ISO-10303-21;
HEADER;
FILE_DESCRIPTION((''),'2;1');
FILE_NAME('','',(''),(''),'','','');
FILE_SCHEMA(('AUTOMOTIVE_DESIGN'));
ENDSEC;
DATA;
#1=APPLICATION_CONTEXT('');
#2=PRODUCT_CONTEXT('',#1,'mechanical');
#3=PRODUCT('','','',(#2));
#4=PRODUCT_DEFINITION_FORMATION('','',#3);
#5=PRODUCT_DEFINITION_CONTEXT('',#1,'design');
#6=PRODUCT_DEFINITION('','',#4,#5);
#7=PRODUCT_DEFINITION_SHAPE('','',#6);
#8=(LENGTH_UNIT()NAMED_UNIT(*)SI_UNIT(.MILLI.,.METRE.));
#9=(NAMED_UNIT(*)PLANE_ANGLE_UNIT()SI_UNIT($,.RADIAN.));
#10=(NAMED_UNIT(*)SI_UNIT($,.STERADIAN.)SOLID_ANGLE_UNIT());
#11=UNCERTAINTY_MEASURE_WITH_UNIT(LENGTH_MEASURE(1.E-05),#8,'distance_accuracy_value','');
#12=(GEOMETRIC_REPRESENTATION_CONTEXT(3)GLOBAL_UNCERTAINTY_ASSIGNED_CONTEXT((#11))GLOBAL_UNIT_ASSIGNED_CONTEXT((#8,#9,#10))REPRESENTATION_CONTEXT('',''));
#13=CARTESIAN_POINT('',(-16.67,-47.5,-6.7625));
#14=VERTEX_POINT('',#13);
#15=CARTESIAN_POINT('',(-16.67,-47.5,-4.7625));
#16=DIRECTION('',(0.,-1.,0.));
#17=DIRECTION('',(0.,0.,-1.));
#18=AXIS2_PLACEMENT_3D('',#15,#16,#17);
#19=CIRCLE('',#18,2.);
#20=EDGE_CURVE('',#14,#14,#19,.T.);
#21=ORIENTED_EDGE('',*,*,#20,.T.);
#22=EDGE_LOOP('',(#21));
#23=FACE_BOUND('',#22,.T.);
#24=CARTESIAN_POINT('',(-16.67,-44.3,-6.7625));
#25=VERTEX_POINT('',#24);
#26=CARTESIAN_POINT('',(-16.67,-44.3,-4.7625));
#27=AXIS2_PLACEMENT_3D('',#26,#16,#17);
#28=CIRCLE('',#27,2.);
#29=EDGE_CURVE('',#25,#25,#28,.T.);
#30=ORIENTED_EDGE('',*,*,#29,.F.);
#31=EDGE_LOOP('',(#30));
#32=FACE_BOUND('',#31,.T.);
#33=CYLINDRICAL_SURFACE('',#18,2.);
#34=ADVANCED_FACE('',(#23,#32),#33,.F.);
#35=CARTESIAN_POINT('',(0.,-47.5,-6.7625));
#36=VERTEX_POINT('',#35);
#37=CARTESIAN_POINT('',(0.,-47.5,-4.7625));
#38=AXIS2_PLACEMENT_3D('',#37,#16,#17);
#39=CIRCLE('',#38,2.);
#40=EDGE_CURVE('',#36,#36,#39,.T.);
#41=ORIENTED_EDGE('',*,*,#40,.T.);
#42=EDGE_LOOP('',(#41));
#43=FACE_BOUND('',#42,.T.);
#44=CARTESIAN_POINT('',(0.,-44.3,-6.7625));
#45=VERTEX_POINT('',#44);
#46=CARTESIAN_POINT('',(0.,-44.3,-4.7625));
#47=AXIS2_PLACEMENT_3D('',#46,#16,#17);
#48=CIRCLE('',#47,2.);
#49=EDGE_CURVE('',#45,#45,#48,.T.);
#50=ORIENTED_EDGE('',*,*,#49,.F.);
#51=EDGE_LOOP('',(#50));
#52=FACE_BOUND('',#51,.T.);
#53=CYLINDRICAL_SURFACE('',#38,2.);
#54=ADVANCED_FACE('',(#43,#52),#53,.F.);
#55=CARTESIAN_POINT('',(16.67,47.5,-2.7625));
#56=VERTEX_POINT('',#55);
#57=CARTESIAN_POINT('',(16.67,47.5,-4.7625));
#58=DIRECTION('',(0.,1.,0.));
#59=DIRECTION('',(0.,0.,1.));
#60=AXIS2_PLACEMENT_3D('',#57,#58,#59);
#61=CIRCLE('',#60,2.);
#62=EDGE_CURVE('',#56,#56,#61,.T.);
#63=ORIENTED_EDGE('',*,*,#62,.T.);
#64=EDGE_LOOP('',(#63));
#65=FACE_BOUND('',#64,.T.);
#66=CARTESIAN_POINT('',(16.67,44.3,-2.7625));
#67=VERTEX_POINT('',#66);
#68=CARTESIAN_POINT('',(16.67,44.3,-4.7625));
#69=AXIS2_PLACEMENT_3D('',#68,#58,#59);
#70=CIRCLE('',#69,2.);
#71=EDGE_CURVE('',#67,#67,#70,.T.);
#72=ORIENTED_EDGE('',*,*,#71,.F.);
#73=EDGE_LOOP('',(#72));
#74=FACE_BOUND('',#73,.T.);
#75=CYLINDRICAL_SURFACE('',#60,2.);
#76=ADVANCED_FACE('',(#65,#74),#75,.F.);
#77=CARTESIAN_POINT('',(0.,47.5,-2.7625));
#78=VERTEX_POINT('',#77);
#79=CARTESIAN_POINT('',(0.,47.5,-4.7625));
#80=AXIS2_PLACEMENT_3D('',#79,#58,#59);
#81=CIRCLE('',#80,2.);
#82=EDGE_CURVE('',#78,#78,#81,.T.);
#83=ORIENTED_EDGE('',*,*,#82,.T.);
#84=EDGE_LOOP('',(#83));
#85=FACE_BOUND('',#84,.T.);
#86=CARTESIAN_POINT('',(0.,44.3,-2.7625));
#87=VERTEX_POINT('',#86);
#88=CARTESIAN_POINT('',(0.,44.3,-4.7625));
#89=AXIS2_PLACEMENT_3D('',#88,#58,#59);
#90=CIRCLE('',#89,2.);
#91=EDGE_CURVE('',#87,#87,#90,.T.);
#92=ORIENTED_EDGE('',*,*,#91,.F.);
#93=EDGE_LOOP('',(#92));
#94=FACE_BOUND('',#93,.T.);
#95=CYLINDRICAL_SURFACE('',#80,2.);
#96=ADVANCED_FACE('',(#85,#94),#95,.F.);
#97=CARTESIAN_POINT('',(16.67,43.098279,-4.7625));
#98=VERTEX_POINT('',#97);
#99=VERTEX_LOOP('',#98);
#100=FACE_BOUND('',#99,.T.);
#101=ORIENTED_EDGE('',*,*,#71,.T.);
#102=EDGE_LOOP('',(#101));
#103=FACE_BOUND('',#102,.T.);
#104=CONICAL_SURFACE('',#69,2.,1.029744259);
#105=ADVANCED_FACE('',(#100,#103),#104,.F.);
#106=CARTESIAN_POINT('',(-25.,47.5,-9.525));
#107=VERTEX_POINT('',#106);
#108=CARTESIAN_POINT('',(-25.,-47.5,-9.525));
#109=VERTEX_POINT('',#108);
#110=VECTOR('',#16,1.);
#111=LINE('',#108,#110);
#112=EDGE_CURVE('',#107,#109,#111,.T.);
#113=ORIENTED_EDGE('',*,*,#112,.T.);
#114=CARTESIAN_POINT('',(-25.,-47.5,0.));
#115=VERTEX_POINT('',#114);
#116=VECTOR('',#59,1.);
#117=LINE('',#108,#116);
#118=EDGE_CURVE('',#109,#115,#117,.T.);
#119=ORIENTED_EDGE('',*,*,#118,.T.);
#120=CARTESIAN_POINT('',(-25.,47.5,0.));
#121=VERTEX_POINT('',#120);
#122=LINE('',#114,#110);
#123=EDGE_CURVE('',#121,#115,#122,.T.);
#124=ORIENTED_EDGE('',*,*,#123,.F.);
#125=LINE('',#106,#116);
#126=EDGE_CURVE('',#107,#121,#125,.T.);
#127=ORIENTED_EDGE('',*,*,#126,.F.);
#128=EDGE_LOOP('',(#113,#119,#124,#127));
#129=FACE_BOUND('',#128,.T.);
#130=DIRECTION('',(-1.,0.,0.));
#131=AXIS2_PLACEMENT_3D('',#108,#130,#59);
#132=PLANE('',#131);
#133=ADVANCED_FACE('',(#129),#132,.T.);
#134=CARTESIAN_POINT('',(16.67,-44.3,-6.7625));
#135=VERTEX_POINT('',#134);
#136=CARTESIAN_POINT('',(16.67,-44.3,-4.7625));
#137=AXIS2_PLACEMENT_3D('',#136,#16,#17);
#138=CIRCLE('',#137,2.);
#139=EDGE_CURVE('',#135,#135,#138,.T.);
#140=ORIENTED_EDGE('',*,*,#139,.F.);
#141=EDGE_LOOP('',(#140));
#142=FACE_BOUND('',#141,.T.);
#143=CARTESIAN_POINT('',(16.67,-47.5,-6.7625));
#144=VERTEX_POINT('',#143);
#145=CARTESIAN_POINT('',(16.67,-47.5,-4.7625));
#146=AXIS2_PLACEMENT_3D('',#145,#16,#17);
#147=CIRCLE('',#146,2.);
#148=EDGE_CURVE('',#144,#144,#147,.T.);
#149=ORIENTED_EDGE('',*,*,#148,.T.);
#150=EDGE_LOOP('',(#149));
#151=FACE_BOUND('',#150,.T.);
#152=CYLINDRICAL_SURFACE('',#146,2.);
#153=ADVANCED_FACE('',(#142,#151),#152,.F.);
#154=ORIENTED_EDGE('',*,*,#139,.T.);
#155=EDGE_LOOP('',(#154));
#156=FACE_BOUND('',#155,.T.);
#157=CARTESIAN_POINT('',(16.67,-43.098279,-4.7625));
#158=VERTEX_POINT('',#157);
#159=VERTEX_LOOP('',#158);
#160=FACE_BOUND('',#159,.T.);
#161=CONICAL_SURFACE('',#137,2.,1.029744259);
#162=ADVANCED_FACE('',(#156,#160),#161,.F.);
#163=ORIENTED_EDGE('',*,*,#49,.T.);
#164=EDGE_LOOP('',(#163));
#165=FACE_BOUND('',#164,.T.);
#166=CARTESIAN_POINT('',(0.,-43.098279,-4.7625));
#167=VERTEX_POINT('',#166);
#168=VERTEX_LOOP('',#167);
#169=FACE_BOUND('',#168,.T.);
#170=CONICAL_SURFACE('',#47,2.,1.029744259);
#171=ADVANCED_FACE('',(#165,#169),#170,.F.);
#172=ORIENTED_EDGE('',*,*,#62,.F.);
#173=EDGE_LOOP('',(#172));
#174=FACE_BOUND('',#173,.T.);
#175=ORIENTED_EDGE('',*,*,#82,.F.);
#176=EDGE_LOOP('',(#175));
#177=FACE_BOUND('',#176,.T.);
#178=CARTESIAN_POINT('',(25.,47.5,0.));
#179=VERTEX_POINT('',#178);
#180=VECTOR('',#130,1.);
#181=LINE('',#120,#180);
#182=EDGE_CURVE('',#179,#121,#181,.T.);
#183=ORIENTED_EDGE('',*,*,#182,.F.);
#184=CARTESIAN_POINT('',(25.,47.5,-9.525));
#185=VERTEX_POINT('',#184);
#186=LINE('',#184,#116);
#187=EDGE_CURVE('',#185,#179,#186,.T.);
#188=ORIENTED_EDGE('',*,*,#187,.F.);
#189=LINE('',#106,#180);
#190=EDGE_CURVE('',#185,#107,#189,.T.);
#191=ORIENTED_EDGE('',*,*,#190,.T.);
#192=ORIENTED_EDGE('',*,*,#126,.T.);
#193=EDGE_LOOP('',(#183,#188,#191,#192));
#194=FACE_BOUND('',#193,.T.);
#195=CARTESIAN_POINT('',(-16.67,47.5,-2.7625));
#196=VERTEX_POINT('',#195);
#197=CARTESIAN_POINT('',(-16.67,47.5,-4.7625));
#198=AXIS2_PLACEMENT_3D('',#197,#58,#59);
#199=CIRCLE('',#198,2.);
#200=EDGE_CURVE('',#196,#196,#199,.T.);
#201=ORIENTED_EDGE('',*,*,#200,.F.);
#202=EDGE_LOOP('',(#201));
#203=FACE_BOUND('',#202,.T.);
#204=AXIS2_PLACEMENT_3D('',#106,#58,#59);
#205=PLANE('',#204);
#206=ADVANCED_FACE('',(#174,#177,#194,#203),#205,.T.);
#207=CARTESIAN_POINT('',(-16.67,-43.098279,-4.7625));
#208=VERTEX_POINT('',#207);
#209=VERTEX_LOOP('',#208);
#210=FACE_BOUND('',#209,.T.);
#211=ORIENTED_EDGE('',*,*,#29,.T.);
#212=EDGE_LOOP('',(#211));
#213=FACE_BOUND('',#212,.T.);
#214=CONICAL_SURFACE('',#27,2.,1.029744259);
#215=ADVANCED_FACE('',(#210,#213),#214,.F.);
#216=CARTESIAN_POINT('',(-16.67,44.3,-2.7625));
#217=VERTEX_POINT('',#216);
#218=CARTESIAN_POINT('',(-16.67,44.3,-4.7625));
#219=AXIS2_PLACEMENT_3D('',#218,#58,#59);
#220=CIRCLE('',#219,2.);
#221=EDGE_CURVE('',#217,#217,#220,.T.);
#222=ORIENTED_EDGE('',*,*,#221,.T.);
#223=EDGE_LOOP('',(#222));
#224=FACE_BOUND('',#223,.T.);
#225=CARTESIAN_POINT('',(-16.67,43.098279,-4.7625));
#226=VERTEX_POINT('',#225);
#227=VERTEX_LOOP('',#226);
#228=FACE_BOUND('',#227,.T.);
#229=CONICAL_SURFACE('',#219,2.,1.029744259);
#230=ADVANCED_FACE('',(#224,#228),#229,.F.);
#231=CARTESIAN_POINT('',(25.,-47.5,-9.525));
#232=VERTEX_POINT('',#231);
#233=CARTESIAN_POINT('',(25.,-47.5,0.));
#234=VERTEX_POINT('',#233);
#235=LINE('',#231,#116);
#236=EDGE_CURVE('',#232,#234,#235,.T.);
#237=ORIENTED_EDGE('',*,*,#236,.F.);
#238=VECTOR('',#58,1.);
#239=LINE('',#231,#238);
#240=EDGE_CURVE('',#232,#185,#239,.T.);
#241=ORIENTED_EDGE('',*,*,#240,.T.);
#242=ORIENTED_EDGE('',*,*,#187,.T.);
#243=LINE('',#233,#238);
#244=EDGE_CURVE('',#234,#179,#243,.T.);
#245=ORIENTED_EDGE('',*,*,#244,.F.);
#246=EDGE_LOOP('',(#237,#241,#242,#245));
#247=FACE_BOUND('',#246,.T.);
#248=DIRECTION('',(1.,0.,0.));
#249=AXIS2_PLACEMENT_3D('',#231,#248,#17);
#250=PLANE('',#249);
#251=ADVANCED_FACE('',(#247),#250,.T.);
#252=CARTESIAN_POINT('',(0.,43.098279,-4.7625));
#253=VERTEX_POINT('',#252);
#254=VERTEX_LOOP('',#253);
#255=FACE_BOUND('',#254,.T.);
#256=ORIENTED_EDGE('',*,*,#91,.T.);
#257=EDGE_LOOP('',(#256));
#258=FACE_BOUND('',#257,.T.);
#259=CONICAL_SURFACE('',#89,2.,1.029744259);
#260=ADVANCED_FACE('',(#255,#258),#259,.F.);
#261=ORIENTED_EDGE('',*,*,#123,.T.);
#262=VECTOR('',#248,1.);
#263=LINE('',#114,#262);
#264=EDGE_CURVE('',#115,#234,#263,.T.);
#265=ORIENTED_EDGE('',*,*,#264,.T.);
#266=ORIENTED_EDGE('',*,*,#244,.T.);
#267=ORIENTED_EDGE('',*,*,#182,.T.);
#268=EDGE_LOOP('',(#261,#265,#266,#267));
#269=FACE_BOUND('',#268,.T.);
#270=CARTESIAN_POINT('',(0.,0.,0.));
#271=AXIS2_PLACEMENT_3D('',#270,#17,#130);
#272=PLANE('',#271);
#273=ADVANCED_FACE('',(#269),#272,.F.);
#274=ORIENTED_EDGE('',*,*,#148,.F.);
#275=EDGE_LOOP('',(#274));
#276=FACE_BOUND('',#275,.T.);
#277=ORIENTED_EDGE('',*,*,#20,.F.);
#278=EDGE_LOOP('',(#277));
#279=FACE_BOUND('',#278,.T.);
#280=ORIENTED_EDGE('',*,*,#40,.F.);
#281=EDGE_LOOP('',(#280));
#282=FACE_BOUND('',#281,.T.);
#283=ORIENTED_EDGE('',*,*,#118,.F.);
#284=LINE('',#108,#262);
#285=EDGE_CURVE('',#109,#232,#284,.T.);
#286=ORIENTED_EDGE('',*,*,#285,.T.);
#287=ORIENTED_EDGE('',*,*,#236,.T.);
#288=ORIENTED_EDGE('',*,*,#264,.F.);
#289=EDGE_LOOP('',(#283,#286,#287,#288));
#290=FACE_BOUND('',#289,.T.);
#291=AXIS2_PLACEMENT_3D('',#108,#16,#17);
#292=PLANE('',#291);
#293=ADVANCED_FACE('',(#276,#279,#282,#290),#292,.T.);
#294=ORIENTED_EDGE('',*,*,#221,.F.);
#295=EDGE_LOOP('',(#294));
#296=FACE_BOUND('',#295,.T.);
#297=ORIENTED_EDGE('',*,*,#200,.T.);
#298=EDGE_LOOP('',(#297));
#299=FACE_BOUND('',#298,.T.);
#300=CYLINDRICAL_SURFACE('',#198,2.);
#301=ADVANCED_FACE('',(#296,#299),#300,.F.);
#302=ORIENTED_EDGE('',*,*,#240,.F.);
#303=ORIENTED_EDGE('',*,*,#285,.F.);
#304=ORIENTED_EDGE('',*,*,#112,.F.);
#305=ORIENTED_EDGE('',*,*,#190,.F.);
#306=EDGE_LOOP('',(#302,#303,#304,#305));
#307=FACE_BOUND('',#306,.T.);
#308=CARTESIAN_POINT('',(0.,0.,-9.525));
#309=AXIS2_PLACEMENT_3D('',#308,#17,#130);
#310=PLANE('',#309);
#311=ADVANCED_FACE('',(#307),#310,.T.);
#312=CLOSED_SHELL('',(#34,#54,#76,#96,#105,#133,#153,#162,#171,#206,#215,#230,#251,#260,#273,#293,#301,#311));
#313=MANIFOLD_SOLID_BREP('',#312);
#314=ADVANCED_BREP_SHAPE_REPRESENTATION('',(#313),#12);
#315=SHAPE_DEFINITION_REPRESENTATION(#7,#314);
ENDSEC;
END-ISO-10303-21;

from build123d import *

# Parameters (mm, degrees)
SKETCH1_W                 = 50
SKETCH1_H                 = 95
BOSS_EXTRUDE1_DEPTH       = 9.525
F_4_0MM_DOWEL_HOLE1_D     = 4
F_4_0MM_DOWEL_HOLE1_DEPTH = 3.2
F_4_0MM_DOWEL_HOLE1_TIP   = 1.201721238
F_4_0MM_DOWEL_HOLE2_D     = 4
F_4_0MM_DOWEL_HOLE2_DEPTH = 3.2
F_4_0MM_DOWEL_HOLE2_TIP   = 1.201721238


with BuildPart() as part:
    # Sketch1 → Boss-Extrude1 (new body)
    with BuildSketch(Plane.XY):
        Rectangle(SKETCH1_W, SKETCH1_H)
    extrude(amount=-BOSS_EXTRUDE1_DEPTH)

    # Ø4.0mm Dowel Hole1
    with Locations(Plane(origin=(0, 47.5, 0), x_dir=(1, 0, 0), z_dir=(0, 1, 0))):
        with Locations((0, 4.7625), (16.67, 4.7625), (-16.67, 4.7625)):
            Hole(F_4_0MM_DOWEL_HOLE1_D / 2, depth=F_4_0MM_DOWEL_HOLE1_DEPTH)
            with Locations((0, 0, -(F_4_0MM_DOWEL_HOLE1_DEPTH + F_4_0MM_DOWEL_HOLE1_TIP / 2))):  # 118° drill point
                Cone(0, F_4_0MM_DOWEL_HOLE1_D / 2, F_4_0MM_DOWEL_HOLE1_TIP, mode=Mode.SUBTRACT)

    # Ø4.0mm Dowel Hole2
    with Locations(Plane.XZ.offset(47.5)):
        with Locations((16.67, -4.7625), (0, -4.7625), (-16.67, -4.7625)):
            Hole(F_4_0MM_DOWEL_HOLE2_D / 2, depth=F_4_0MM_DOWEL_HOLE2_DEPTH)
            with Locations((0, 0, -(F_4_0MM_DOWEL_HOLE2_DEPTH + F_4_0MM_DOWEL_HOLE2_TIP / 2))):  # 118° drill point
                Cone(0, F_4_0MM_DOWEL_HOLE2_D / 2, F_4_0MM_DOWEL_HOLE2_TIP, mode=Mode.SUBTRACT)


solid = part.part
